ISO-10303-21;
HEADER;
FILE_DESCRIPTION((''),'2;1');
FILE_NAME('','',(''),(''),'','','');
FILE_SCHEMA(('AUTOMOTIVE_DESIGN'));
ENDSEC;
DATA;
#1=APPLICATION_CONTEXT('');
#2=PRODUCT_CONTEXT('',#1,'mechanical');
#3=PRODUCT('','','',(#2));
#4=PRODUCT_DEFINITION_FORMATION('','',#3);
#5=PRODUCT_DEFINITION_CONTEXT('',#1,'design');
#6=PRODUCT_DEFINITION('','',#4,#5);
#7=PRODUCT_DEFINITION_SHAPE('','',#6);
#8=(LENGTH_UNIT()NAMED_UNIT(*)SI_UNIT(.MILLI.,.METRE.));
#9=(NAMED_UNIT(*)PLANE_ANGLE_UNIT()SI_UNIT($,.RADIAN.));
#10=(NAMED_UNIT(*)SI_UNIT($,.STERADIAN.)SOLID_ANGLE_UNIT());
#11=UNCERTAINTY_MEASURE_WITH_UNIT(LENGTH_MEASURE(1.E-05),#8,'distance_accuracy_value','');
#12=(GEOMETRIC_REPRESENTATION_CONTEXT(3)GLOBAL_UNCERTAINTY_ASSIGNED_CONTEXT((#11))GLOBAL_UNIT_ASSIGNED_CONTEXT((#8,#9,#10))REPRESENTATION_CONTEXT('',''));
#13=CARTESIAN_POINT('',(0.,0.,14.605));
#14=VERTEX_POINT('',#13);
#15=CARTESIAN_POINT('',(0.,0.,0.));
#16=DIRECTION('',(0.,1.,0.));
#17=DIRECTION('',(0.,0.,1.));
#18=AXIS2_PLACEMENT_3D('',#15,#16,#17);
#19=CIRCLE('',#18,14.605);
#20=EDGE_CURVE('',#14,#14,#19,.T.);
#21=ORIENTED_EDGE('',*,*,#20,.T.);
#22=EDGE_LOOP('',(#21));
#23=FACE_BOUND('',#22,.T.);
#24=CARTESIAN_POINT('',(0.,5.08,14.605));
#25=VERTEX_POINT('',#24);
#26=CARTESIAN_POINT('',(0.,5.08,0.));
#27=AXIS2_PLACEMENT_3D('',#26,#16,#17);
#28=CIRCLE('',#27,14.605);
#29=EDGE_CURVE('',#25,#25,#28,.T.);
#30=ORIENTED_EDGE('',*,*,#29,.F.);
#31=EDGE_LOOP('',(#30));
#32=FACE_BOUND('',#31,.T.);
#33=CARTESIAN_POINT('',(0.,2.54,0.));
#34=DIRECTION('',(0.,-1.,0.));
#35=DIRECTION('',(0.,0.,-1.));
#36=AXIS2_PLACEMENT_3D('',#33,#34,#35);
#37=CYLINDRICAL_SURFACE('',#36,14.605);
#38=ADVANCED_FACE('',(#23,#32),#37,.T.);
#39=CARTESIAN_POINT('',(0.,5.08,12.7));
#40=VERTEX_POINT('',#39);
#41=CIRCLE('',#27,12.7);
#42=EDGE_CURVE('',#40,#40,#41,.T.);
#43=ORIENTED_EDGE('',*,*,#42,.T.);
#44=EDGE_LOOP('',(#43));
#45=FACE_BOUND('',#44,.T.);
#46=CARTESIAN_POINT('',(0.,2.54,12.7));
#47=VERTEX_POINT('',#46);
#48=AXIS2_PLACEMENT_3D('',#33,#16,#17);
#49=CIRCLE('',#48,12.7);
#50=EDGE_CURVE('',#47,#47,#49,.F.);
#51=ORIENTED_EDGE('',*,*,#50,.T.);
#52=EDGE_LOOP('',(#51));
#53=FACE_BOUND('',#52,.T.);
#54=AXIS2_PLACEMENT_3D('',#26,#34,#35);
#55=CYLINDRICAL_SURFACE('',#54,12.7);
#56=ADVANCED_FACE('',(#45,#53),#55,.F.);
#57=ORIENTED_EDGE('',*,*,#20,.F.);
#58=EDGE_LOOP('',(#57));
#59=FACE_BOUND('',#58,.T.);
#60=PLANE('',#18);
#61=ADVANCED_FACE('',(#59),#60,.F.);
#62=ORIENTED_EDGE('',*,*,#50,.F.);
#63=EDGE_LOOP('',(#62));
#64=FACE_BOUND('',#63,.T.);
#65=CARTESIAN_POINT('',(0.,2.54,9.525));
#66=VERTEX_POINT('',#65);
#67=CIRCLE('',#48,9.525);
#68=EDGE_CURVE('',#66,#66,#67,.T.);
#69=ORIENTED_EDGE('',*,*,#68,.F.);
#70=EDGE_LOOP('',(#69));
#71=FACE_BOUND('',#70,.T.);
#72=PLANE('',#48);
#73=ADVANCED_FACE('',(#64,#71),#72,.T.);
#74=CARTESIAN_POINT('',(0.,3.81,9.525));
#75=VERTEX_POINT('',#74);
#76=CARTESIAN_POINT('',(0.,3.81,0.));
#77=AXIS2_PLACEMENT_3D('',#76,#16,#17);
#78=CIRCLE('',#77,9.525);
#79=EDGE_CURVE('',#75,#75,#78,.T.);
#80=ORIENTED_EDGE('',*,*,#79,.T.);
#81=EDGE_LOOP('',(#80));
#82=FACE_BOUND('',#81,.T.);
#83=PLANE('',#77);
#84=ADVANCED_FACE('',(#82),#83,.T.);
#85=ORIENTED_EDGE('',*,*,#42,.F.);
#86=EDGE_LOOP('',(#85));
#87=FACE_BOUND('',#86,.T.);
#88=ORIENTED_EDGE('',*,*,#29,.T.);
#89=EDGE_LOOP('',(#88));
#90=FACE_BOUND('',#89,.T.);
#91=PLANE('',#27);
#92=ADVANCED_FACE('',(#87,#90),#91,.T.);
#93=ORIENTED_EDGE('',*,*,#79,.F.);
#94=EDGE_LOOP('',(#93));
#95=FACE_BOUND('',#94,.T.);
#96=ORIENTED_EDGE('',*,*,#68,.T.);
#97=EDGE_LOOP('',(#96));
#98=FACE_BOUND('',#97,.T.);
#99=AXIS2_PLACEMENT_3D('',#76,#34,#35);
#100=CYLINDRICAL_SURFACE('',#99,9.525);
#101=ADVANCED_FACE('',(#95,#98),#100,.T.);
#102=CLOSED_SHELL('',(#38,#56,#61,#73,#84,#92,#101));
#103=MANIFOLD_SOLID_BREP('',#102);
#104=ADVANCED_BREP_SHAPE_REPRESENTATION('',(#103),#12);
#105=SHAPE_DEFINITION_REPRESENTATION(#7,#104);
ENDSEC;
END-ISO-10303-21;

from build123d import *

# Parameters (mm, degrees)
SKETCH2_R           = 14.605
BOSS_EXTRUDE2_DEPTH = 2.54
SKETCH3_R           = 14.605
SKETCH3_R_2         = 12.7
BOSS_EXTRUDE3_DEPTH = 2.54
SKETCH4_R           = 9.525
BOSS_EXTRUDE4_DEPTH = 1.27


with BuildPart() as part:
    # Sketch2 → Boss-Extrude2 (new body)
    with BuildSketch(Plane(origin=(0, 0, 0), x_dir=(1, 0, 0), z_dir=(0, 1, 0))):
        with Locations(Location((0, 0, 0), (0, 0, 270))):
            Circle(SKETCH2_R)
    extrude(amount=BOSS_EXTRUDE2_DEPTH)

    # Sketch3 → Boss-Extrude3 (add)
    with BuildSketch(Plane(origin=(0, 2.54, 0), x_dir=(1, 0, 0), z_dir=(0, 1, 0))):
        with Locations(Location((0, 0, 0), (0, 0, 270))):
            Circle(SKETCH3_R)
        with Locations(Location((0, 0, 0), (0, 0, 270))):
            Circle(SKETCH3_R_2, mode=Mode.SUBTRACT)
    extrude(amount=BOSS_EXTRUDE3_DEPTH)

    # Sketch4 → Boss-Extrude4 (add)
    with BuildSketch(Plane(origin=(0, 2.54, 0), x_dir=(1, 0, 0), z_dir=(0, 1, 0))):
        with Locations(Location((0, 0, 0), (0, 0, 270))):
            Circle(SKETCH4_R)
    extrude(amount=BOSS_EXTRUDE4_DEPTH)


solid = part.part
